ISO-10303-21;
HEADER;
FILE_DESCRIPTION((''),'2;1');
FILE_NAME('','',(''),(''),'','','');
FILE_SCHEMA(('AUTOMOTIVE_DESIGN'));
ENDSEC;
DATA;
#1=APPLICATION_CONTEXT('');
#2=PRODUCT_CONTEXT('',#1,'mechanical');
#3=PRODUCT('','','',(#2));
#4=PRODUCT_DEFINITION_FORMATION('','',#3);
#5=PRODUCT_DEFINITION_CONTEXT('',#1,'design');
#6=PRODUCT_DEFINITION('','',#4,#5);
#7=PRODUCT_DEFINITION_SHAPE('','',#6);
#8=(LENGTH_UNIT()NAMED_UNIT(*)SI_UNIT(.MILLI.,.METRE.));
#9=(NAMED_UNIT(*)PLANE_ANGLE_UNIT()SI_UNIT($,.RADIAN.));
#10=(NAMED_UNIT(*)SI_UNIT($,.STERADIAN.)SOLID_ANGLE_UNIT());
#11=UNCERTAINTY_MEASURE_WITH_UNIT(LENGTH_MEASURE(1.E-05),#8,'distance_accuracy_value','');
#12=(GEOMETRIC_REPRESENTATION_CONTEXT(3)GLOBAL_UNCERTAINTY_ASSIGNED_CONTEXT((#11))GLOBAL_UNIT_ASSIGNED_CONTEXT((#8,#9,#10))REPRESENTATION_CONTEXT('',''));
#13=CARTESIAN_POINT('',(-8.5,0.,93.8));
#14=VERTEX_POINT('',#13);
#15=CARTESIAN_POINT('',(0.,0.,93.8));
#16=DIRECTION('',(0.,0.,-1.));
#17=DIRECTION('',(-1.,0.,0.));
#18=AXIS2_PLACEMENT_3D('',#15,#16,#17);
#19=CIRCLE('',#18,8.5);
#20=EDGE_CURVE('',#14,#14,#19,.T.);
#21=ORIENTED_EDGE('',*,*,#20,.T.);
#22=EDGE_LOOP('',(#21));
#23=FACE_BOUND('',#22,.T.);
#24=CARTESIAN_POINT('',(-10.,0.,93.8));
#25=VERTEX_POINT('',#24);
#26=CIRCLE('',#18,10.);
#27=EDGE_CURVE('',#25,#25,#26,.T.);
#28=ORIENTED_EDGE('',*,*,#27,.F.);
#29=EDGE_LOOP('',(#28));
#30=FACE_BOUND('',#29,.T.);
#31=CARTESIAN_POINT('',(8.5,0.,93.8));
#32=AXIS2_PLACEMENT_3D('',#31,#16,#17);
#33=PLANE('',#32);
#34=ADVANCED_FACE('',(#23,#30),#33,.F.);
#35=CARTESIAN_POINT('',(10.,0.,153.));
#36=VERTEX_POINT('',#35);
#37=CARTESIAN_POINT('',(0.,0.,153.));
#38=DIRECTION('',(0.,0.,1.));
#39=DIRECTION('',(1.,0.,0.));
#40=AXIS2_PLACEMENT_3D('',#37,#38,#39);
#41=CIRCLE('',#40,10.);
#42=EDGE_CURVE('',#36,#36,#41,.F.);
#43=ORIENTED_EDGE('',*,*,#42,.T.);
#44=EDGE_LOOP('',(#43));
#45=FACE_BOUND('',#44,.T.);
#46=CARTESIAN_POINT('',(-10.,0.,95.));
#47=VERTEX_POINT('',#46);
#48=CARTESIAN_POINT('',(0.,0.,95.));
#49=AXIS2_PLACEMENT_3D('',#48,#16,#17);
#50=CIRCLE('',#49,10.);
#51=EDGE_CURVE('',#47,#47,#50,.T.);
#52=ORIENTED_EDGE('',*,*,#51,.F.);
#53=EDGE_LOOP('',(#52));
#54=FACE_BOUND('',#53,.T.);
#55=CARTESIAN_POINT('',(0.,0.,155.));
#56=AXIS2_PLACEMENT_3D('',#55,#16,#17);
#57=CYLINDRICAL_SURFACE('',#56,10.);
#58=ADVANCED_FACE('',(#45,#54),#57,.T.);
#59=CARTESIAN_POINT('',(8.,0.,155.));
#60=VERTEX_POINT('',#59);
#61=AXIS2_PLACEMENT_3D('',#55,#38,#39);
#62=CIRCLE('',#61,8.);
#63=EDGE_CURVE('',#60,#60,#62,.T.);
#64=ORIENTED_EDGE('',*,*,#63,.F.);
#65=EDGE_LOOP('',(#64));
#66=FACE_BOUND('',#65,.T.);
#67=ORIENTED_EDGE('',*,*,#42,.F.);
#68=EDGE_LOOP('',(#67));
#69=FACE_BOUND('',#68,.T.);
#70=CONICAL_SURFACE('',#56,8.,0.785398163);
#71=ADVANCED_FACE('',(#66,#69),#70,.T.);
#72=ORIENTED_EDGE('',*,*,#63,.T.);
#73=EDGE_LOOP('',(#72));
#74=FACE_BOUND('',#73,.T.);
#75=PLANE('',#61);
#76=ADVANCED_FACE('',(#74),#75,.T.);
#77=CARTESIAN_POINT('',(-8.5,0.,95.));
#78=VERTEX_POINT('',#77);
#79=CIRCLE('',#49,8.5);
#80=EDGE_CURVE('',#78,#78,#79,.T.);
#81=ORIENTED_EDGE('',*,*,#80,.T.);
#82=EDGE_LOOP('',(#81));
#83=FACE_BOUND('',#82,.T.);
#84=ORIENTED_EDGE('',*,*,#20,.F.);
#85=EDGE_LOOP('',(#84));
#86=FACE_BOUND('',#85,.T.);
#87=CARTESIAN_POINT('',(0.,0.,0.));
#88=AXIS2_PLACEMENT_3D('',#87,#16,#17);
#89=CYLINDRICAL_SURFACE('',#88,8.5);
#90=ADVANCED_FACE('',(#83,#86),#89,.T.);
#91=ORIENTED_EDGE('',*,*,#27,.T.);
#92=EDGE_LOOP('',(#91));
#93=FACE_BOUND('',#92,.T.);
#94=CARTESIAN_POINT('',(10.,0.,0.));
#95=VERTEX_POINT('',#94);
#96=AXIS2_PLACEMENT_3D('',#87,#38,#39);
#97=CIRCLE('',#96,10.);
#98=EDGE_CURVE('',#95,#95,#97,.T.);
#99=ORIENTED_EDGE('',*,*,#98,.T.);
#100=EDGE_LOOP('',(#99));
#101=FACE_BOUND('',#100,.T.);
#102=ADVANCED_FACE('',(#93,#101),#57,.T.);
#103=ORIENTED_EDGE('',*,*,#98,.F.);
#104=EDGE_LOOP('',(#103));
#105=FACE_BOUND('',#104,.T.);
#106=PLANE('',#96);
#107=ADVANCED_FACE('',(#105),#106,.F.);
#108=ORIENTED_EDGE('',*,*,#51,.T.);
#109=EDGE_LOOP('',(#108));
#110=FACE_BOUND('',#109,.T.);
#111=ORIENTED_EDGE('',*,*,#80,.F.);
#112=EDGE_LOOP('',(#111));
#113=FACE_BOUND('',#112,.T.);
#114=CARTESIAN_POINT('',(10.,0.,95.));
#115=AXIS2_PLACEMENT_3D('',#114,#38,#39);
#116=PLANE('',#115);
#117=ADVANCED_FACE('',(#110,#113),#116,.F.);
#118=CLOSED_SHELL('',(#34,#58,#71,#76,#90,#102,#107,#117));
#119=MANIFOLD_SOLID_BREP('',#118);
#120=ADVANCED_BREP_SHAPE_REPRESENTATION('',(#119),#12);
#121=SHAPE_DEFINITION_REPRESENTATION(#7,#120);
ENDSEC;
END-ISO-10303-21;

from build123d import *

# Parameters (mm, degrees)
SZKIC1_R                    = 10
DODANIE_WYCI_GNI_CIE1_DEPTH = 155
SFAZOWANIE2_SIZE            = 2
SZKIC2_W                    = 1.5
SZKIC2_H                    = 1.2


with BuildPart() as part:
    # Szkic1 → Dodanie-wyciągnięcie1 (new body)
    with BuildSketch(Plane.XY):
        Circle(SZKIC1_R)
    extrude(amount=DODANIE_WYCI_GNI_CIE1_DEPTH)

    # Sfazowanie2
    sfazowanie2_edges = [part.edges().sort_by_distance(p)[0] for p in [
        (-10, 0, 155),
    ]]
    chamfer(sfazowanie2_edges, length=SFAZOWANIE2_SIZE)

    # Szkic2 → Wycięcie-obrót1 (revolve, cut)
    with BuildSketch(Plane(origin=(0, 0, 0), x_dir=(1, 0, 0), z_dir=(0, 1, 0)), mode=Mode.PRIVATE) as wyci_cie_obr_t1_sk:
        with Locations((9.25, -94.4)):
            Rectangle(SZKIC2_W, SZKIC2_H)
    revolve(wyci_cie_obr_t1_sk.sketch.rotate(Axis((0, 0, 0), (0, 0, 1)), 180), axis=Axis((0, 0, 0), (0, 0, 1)), mode=Mode.SUBTRACT)


solid = part.part
